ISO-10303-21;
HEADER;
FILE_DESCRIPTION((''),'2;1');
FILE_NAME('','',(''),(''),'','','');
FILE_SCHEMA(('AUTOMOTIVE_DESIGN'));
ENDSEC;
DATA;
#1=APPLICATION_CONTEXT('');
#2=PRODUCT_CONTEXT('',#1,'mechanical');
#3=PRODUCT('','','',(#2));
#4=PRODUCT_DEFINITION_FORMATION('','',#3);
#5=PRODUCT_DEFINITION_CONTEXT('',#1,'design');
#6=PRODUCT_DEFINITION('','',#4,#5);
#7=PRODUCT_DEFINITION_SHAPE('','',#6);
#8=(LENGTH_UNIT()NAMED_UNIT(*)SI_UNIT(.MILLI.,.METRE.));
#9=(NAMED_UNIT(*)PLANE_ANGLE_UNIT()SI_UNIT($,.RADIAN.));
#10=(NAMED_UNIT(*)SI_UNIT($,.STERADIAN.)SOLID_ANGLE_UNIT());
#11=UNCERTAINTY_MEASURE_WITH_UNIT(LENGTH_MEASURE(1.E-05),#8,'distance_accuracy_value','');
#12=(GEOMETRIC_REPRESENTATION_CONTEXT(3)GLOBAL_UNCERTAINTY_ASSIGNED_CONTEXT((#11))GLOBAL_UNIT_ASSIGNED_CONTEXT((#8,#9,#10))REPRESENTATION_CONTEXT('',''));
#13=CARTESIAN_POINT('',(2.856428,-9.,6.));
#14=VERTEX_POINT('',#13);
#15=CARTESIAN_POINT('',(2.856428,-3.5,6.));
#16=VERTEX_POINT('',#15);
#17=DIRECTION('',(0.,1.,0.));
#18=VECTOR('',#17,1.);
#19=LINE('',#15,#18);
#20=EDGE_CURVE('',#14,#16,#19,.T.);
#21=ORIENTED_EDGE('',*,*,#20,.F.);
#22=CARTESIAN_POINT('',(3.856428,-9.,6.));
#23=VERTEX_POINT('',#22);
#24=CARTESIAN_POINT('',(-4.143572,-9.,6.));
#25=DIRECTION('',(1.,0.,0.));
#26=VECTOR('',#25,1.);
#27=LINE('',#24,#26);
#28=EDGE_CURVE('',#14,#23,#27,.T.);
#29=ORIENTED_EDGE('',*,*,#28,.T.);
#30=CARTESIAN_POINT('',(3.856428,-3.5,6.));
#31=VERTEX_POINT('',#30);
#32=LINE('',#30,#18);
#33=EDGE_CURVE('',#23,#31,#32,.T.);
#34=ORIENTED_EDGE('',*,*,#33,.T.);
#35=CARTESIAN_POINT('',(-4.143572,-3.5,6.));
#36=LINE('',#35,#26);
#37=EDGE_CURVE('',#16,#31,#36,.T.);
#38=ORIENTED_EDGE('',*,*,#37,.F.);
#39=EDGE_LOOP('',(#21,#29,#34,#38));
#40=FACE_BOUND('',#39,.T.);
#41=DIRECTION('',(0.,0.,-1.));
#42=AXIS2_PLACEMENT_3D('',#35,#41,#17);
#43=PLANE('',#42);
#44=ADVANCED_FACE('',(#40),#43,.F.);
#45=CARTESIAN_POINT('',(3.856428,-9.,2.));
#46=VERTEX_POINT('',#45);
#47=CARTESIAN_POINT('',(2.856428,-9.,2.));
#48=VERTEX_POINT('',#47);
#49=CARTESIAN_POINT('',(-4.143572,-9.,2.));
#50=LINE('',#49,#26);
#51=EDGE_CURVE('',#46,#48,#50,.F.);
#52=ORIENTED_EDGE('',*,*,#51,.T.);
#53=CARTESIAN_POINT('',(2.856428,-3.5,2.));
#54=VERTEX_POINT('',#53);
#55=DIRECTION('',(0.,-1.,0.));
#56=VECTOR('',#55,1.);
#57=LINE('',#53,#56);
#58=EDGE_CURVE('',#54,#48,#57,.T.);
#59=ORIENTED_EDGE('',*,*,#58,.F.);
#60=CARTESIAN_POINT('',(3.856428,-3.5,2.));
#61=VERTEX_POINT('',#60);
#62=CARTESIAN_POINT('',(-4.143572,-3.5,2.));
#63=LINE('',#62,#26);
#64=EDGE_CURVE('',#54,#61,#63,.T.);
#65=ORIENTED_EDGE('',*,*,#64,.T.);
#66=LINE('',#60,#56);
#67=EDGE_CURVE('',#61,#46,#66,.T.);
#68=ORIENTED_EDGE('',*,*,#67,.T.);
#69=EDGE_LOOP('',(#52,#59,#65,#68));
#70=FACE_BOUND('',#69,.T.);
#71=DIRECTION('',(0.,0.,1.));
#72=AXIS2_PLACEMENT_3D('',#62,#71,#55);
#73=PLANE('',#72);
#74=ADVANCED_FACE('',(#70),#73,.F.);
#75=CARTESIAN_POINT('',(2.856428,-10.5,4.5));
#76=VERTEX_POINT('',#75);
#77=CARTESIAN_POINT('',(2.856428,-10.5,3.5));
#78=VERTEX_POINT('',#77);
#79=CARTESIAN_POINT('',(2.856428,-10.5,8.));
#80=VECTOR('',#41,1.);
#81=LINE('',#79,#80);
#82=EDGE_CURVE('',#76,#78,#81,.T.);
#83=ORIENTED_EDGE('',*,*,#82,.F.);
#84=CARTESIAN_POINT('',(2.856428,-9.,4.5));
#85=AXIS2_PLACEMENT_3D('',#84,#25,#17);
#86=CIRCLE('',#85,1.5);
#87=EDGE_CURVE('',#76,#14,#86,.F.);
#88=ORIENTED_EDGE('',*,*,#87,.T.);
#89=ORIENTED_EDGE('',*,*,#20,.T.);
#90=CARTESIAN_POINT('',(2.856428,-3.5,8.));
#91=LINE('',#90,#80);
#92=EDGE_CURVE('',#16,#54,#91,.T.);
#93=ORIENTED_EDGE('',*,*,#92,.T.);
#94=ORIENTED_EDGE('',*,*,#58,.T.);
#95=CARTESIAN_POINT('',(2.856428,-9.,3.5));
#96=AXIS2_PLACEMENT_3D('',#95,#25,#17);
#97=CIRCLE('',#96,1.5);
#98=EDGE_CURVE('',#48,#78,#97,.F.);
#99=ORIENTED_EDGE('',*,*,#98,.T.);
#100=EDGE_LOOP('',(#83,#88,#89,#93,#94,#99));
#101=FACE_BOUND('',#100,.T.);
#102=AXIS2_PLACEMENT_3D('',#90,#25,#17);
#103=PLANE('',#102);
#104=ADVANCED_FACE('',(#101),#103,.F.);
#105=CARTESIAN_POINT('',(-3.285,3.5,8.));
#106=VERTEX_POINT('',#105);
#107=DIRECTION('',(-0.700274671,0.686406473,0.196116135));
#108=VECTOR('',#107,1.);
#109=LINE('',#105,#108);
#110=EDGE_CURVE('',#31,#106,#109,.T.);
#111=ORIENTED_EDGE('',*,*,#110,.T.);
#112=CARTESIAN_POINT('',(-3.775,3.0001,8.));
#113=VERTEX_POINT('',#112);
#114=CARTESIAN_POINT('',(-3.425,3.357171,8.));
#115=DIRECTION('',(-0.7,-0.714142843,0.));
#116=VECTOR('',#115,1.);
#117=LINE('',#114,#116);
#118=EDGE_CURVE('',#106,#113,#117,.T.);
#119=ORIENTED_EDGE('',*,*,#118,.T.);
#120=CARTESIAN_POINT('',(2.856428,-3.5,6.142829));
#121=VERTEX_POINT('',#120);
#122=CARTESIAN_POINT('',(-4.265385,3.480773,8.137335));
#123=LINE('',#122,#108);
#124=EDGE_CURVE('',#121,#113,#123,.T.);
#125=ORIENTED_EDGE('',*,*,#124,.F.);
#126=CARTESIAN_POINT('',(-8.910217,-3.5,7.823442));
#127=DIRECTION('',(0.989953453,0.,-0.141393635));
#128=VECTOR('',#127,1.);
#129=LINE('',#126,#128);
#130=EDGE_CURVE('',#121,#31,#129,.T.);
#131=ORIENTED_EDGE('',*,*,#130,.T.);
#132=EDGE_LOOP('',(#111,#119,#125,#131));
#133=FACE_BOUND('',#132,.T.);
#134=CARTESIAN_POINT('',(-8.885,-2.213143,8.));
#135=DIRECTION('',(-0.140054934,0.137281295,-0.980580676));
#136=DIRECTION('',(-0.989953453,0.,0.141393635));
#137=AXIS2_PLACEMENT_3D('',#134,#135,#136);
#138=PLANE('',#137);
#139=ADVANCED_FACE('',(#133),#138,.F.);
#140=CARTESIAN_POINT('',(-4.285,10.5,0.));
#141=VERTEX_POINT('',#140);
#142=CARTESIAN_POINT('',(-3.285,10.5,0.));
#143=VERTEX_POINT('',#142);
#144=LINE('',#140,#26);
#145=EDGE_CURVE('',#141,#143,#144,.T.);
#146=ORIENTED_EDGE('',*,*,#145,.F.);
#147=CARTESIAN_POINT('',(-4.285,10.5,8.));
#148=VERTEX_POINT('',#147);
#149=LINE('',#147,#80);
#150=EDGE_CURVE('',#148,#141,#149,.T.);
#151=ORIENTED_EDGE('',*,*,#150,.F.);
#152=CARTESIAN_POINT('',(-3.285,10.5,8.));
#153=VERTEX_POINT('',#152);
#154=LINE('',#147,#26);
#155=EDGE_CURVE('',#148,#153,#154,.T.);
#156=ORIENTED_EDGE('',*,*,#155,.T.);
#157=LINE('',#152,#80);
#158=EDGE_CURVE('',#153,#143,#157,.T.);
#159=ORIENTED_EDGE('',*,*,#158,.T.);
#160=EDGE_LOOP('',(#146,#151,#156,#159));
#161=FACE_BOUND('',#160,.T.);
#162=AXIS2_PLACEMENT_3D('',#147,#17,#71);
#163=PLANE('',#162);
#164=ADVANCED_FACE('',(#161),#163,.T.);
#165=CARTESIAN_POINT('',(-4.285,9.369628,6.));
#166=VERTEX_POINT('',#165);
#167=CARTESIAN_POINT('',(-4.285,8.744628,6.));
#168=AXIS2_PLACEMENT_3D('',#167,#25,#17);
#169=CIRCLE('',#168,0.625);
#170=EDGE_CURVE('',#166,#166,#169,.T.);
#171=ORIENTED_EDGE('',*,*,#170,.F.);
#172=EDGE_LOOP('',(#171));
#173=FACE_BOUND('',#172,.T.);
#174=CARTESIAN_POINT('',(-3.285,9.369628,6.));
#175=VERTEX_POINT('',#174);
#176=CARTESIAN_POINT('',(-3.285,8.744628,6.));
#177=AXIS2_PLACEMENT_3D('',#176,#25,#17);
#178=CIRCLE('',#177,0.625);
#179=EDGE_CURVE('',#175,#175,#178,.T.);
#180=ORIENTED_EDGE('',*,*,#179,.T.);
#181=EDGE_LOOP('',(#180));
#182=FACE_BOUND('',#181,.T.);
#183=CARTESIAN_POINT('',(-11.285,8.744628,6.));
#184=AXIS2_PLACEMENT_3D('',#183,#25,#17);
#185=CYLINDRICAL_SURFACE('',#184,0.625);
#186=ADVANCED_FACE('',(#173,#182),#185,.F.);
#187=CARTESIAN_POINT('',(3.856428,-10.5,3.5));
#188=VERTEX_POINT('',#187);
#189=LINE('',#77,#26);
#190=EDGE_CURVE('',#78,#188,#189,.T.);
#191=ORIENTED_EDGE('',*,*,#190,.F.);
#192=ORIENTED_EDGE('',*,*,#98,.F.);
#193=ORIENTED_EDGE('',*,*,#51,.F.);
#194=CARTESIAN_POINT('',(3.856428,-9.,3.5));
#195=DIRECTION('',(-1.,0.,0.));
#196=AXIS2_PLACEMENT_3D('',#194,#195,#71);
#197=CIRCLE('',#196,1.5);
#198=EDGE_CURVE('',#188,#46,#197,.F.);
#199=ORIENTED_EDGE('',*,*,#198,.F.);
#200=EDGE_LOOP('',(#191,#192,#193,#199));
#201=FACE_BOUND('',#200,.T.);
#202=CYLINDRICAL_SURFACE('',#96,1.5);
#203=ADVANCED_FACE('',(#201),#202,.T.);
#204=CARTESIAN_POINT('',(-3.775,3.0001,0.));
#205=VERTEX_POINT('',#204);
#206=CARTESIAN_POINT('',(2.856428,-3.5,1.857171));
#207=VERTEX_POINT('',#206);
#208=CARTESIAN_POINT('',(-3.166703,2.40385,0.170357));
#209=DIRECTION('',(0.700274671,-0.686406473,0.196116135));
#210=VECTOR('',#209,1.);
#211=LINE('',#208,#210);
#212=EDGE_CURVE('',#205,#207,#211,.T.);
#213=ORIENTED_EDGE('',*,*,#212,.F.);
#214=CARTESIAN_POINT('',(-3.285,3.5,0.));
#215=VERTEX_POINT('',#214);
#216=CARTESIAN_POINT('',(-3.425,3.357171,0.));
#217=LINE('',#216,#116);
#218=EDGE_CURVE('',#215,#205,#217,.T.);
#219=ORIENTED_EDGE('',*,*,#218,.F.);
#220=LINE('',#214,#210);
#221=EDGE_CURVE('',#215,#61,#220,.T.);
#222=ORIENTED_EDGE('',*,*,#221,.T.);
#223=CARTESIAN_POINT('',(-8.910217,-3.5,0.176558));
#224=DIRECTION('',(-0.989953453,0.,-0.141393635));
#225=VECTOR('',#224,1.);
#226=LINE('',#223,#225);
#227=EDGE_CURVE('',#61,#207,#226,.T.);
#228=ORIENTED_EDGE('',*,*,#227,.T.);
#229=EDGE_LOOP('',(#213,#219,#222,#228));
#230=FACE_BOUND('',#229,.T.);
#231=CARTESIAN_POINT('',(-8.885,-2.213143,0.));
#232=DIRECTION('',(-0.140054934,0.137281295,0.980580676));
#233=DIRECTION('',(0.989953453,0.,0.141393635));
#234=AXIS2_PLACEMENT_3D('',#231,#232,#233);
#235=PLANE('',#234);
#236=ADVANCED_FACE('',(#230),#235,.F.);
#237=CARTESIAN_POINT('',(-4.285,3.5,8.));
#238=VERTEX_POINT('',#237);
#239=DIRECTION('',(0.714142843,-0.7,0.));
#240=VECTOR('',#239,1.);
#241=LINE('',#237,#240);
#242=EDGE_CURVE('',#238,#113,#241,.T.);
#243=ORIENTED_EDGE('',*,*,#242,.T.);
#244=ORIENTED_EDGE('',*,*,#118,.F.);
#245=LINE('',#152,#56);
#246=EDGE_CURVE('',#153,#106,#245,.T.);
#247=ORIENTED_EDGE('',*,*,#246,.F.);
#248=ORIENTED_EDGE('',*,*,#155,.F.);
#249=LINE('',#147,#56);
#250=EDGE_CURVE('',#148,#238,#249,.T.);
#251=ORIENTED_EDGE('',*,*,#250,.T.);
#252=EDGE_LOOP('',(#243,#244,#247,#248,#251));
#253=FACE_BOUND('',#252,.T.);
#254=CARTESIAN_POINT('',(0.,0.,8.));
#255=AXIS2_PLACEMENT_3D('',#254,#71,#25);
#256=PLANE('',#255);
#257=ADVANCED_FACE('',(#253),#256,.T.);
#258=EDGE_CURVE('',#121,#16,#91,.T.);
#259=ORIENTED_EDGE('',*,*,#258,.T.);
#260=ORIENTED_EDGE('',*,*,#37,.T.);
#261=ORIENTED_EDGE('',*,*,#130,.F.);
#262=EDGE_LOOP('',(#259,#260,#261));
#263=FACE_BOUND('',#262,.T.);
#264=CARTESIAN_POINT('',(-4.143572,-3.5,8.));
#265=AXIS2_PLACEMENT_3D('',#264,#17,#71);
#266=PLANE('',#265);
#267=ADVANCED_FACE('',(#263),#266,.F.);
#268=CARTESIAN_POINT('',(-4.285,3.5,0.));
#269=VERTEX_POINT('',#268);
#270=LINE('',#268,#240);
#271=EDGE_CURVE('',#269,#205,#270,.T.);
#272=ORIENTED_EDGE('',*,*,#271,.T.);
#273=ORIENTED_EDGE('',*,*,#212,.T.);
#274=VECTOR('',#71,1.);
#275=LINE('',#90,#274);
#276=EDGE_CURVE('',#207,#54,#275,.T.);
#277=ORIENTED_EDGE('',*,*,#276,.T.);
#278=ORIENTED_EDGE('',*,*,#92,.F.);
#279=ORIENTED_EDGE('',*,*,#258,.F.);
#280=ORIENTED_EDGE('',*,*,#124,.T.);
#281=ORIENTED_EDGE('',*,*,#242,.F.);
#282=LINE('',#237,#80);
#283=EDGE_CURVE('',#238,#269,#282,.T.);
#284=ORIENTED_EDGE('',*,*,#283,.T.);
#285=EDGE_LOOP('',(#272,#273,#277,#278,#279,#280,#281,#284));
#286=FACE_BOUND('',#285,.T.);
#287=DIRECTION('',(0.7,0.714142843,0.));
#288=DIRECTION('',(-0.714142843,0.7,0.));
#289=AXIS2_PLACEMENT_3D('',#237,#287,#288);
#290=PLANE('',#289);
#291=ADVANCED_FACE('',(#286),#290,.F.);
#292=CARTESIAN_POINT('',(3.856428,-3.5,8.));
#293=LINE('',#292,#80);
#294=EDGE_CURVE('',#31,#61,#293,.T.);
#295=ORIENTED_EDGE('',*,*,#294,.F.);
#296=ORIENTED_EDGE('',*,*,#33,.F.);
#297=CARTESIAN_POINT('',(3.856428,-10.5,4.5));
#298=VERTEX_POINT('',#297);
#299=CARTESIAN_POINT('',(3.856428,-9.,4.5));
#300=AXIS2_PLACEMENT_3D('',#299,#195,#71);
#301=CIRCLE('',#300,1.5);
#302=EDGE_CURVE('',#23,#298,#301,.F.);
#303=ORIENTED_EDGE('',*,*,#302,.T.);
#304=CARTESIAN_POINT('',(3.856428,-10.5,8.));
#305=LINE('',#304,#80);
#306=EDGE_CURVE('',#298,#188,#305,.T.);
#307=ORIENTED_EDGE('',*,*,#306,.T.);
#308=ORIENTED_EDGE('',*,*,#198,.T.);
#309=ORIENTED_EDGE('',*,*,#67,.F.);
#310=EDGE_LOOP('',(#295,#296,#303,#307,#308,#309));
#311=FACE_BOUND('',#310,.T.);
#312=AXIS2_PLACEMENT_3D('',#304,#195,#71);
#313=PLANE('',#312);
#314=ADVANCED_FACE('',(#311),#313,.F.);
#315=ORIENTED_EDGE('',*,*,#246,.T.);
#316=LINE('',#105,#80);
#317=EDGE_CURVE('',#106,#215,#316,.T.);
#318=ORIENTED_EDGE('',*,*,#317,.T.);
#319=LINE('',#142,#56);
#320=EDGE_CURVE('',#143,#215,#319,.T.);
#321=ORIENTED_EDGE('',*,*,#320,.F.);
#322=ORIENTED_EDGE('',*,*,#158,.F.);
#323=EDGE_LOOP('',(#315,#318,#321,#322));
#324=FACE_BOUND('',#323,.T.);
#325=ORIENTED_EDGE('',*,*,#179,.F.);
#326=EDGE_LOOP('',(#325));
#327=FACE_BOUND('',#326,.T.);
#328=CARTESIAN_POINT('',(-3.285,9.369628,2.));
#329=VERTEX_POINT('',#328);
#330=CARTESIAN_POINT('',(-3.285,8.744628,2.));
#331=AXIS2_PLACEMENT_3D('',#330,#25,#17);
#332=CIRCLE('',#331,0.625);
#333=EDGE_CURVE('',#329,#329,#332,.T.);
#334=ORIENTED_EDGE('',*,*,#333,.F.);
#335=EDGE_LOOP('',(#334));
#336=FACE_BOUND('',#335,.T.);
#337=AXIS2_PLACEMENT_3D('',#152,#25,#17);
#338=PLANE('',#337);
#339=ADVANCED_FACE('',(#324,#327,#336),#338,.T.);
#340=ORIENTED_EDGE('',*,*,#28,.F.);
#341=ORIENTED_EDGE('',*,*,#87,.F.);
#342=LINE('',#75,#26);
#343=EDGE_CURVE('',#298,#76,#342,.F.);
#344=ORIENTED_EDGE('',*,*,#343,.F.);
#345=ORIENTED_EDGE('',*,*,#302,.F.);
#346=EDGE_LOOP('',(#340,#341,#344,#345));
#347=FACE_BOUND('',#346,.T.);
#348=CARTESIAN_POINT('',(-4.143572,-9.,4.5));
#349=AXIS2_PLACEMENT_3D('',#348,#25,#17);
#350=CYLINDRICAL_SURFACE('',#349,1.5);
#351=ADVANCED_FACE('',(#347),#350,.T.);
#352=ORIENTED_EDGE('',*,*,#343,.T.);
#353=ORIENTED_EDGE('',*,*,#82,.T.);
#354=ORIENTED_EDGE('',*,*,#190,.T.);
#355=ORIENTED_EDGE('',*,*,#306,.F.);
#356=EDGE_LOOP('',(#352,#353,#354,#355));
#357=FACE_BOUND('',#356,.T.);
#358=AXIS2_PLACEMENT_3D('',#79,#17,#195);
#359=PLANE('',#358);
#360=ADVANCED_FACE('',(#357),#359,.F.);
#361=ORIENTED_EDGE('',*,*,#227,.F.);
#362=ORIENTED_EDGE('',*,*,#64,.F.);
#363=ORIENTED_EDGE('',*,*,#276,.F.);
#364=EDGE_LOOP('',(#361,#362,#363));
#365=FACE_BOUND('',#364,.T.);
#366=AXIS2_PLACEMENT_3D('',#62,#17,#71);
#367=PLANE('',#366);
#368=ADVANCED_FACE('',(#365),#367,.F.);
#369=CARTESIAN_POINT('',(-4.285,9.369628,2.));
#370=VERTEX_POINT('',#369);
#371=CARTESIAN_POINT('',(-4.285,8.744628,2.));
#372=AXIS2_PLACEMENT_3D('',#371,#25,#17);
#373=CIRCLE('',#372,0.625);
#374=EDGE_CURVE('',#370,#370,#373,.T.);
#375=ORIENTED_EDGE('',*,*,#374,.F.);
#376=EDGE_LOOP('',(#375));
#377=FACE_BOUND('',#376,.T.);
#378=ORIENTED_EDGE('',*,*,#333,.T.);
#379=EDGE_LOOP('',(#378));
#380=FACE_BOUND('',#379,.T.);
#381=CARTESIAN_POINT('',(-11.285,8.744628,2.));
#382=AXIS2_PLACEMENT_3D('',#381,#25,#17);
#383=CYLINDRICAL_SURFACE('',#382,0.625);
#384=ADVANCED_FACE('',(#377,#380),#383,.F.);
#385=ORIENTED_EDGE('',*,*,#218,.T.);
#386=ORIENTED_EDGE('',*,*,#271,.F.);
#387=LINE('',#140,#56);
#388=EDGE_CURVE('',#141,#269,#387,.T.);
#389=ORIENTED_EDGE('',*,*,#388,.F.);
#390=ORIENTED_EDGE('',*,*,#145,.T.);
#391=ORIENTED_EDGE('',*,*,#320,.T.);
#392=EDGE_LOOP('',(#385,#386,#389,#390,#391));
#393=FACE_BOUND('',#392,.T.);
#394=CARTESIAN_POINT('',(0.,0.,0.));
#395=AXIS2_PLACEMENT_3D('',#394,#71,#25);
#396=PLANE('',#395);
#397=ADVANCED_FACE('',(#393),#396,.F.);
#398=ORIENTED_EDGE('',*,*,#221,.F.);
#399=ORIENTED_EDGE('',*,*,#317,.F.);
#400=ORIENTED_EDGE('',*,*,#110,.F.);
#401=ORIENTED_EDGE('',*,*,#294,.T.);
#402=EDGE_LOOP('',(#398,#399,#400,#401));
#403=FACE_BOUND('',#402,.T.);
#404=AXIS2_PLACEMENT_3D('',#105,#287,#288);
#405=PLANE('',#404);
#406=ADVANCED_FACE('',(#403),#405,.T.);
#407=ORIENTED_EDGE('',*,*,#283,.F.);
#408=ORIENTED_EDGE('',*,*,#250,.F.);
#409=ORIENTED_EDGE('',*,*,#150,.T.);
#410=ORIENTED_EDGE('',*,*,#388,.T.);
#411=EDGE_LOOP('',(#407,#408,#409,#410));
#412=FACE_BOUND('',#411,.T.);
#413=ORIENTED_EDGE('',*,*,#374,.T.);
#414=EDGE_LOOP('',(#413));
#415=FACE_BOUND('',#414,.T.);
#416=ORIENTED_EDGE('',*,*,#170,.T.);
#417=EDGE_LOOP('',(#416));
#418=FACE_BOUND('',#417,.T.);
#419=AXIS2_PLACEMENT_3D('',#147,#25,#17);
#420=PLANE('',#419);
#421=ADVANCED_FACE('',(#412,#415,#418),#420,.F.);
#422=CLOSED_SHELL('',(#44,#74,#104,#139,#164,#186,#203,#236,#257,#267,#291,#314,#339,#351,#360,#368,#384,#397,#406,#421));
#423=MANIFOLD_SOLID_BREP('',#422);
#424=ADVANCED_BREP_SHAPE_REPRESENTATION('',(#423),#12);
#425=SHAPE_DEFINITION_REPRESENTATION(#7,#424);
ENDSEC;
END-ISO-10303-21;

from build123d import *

# Parameters (mm, degrees)
BOSS_EXTRU_1_DEPTH      = 8
ESQUISSE2_R             = 0.625
ENL_V_MAT_EXTRU_2_DEPTH = 8
ENL_V_MAT_EXTRU_4_DEPTH = 8
ESQUISSE4_W             = 2
ESQUISSE4_H             = 7
ENL_V_MAT_EXTRU_6_DEPTH = 8
CONG_4_R                = 1.5
CONG_7_R                = 1.5


with BuildPart() as part:
    # Esquisse1 → Boss.-Extru.1 (new body)
    with BuildSketch(Plane.XY):
        Polygon((-4.284999929, 10.5), (-4.284999929, 3.5), (2.8564285, -3.5), (2.8564285, -10.5), (3.8564285, -10.5), (3.8564285, -3.5), (-3.284999929, 3.5), (-3.284999929, 10.5), align=None)
    extrude(amount=BOSS_EXTRU_1_DEPTH)

    # Esquisse2 → Enlèv. mat.-Extru.2 (cut)
    with BuildSketch(Plane(origin=(-3.284999929, 0, 0), x_dir=(0, 0, -1), z_dir=(1, 0, 0))):
        with Locations(Location((-6, 8.744627622, 0), (0, 0, 90))):
            Circle(ESQUISSE2_R)
        with Locations(Location((-2, 8.744627622, 0), (0, 0, 90))):
            Circle(ESQUISSE2_R)
    extrude(amount=-ENL_V_MAT_EXTRU_2_DEPTH, mode=Mode.SUBTRACT)

    # Esquisse3 → Enlèv. mat.-Extru.4 (cut)
    with BuildSketch(Plane(origin=(0.14, 0.142828569, 0), x_dir=(0.7141428428542851, -0.7, 0), z_dir=(0.7, 0.7141428428542851, 0))):
        Polygon((-4.795959188, -8), (5.204040812, -6), (5.204040812, -8), align=None)
        Polygon((-4.795959188, 0), (5.204040812, -2), (5.204040812, 0), align=None)
    extrude(amount=-ENL_V_MAT_EXTRU_4_DEPTH, mode=Mode.SUBTRACT)

    # Esquisse4 → Enlèv. mat.-Extru.6 (cut)
    with BuildSketch(Plane(origin=(3.8564285, 0, 0), x_dir=(0, 0, -1), z_dir=(1, 0, 0))):
        with Locations((-7, -7)):
            Rectangle(ESQUISSE4_W, ESQUISSE4_H)
        with Locations((-1, -7)):
            Rectangle(ESQUISSE4_W, ESQUISSE4_H)
    extrude(amount=-ENL_V_MAT_EXTRU_6_DEPTH, mode=Mode.SUBTRACT)

    # Congé4
    cong_4_edges = [part.edges().sort_by_distance(p)[0] for p in [
        (3.3564285, -10.5, 2),
    ]]
    fillet(cong_4_edges, radius=CONG_4_R)

    # Congé7
    cong_7_edges = [part.edges().sort_by_distance(p)[0] for p in [
        (3.3564285, -10.5, 6),
    ]]
    fillet(cong_7_edges, radius=CONG_7_R)


solid = part.part
